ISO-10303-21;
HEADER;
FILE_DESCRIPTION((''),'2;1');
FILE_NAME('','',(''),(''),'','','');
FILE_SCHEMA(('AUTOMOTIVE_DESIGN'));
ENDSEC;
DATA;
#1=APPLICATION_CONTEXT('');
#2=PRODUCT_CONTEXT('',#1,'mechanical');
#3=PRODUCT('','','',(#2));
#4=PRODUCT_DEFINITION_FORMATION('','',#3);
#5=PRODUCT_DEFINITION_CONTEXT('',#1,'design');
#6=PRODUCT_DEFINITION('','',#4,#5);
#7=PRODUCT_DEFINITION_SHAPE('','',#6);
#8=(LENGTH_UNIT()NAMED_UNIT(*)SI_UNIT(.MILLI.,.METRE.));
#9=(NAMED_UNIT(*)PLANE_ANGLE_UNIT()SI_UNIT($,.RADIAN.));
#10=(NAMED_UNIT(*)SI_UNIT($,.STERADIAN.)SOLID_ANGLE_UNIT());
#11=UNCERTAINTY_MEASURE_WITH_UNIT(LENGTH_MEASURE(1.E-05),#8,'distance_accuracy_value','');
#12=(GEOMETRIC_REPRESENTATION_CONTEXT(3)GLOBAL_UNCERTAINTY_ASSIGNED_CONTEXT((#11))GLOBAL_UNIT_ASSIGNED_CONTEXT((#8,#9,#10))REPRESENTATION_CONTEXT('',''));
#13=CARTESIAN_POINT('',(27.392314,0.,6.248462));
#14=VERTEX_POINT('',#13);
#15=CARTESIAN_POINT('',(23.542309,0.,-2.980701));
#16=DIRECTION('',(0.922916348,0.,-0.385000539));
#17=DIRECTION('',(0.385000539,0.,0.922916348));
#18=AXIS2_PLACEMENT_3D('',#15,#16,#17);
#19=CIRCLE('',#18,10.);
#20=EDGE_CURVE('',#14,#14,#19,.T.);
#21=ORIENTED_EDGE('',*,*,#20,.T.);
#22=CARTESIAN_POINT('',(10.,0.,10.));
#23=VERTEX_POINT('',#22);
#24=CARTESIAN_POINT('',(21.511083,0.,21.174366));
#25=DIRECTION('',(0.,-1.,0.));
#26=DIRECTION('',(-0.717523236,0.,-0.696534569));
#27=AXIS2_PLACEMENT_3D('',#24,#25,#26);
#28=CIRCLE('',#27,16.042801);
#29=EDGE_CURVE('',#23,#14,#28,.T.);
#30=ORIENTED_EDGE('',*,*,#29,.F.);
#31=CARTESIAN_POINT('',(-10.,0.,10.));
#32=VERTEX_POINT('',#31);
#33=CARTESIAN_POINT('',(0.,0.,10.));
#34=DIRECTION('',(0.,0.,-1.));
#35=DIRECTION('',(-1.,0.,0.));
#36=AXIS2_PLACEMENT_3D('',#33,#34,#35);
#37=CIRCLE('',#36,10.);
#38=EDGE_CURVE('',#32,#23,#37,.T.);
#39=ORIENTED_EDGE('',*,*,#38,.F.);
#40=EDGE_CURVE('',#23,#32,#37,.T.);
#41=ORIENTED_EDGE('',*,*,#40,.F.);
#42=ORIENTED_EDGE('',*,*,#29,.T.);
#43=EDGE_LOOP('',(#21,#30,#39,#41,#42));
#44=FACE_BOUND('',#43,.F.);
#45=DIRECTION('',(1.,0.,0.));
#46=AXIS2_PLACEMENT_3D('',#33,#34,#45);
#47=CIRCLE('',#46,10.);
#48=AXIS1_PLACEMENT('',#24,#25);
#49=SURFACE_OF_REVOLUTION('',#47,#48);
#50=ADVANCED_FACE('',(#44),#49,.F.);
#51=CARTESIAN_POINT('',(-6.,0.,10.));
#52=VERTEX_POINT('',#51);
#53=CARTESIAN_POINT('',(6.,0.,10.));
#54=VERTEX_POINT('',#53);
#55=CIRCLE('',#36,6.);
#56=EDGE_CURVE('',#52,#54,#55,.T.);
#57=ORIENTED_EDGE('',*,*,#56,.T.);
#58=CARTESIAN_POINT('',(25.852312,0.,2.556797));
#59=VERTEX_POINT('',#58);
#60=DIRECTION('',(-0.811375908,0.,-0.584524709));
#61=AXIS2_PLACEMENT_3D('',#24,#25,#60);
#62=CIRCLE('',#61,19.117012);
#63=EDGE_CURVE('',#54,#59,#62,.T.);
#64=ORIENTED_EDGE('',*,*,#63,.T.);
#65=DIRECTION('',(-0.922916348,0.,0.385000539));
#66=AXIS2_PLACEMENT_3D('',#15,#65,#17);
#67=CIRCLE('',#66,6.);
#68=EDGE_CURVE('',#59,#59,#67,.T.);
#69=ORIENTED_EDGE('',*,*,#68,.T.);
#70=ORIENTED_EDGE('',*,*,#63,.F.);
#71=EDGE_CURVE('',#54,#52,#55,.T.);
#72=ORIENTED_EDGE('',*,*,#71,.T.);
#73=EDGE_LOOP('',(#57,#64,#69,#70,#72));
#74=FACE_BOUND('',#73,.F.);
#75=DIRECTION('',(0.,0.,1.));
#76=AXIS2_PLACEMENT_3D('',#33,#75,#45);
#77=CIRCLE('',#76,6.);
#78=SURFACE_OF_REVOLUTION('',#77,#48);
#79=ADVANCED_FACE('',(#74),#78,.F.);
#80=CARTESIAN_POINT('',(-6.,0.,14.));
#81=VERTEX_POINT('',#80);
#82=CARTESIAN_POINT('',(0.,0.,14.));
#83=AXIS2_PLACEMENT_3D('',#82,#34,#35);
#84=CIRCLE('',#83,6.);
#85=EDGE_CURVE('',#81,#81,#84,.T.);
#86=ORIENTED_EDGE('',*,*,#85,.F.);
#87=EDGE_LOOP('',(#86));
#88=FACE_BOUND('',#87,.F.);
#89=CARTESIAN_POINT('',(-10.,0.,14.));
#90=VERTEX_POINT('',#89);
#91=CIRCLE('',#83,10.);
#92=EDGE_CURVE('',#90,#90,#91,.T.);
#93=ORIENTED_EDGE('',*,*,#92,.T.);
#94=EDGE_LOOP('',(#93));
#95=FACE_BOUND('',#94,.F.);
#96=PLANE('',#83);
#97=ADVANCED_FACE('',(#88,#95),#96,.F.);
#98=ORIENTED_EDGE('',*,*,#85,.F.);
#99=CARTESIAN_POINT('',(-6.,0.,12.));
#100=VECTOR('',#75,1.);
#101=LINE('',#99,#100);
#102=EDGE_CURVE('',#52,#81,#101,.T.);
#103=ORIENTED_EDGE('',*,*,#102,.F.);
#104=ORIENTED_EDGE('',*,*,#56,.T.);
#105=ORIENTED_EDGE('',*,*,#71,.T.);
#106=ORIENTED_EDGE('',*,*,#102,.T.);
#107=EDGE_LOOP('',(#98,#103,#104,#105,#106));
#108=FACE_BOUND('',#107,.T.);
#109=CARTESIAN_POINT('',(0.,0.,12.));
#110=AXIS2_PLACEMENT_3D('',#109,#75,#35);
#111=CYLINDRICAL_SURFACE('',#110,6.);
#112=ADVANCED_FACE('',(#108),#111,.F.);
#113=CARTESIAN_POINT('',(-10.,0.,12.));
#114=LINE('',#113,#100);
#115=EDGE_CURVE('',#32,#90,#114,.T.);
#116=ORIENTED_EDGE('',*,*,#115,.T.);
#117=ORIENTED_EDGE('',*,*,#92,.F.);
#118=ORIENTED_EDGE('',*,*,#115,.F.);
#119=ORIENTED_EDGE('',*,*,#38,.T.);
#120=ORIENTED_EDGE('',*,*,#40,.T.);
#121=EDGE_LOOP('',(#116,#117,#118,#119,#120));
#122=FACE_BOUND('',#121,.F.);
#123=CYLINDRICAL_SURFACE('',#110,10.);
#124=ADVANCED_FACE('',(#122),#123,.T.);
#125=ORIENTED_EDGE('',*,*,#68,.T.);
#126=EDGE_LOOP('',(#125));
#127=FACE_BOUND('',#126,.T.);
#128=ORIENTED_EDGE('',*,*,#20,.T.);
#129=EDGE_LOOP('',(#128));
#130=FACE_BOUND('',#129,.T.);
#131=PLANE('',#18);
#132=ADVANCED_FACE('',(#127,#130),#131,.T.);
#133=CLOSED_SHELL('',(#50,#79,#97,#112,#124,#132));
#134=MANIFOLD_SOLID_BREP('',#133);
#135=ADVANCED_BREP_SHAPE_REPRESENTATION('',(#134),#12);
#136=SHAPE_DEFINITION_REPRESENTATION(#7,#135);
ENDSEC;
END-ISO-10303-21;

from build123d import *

# Parameters (mm, degrees)
F0_W        = 4
F0_H        = 4
F1_FACE_R   = 10
F1_FACE_R_2 = 6


with BuildPart() as f1:
    # F0 (on Front) → F1 (revolve)
    with BuildSketch(Plane.XZ):
        with Locations((-8, 12)):
            Rectangle(F0_W, F0_H)
    revolve(axis=Axis((0, 0, 15.521475), (0, 0, -1)))

    # F2: sweep along a path in F0
    with BuildLine(Plane.XZ) as f2_path:
        ThreePointArc((0, 10), (9.806774, -0.053029), (23.542309, -2.980701))
    # F1_face (on face) → F2 (sweep)
    with BuildSketch(Plane(origin=(0, 0, 10), x_dir=(1, 0, 0), z_dir=(0, 0, -1))):
        Circle(F1_FACE_R)
        Circle(F1_FACE_R_2, mode=Mode.SUBTRACT)
    sweep(path=f2_path.line)


solid = f1.part
